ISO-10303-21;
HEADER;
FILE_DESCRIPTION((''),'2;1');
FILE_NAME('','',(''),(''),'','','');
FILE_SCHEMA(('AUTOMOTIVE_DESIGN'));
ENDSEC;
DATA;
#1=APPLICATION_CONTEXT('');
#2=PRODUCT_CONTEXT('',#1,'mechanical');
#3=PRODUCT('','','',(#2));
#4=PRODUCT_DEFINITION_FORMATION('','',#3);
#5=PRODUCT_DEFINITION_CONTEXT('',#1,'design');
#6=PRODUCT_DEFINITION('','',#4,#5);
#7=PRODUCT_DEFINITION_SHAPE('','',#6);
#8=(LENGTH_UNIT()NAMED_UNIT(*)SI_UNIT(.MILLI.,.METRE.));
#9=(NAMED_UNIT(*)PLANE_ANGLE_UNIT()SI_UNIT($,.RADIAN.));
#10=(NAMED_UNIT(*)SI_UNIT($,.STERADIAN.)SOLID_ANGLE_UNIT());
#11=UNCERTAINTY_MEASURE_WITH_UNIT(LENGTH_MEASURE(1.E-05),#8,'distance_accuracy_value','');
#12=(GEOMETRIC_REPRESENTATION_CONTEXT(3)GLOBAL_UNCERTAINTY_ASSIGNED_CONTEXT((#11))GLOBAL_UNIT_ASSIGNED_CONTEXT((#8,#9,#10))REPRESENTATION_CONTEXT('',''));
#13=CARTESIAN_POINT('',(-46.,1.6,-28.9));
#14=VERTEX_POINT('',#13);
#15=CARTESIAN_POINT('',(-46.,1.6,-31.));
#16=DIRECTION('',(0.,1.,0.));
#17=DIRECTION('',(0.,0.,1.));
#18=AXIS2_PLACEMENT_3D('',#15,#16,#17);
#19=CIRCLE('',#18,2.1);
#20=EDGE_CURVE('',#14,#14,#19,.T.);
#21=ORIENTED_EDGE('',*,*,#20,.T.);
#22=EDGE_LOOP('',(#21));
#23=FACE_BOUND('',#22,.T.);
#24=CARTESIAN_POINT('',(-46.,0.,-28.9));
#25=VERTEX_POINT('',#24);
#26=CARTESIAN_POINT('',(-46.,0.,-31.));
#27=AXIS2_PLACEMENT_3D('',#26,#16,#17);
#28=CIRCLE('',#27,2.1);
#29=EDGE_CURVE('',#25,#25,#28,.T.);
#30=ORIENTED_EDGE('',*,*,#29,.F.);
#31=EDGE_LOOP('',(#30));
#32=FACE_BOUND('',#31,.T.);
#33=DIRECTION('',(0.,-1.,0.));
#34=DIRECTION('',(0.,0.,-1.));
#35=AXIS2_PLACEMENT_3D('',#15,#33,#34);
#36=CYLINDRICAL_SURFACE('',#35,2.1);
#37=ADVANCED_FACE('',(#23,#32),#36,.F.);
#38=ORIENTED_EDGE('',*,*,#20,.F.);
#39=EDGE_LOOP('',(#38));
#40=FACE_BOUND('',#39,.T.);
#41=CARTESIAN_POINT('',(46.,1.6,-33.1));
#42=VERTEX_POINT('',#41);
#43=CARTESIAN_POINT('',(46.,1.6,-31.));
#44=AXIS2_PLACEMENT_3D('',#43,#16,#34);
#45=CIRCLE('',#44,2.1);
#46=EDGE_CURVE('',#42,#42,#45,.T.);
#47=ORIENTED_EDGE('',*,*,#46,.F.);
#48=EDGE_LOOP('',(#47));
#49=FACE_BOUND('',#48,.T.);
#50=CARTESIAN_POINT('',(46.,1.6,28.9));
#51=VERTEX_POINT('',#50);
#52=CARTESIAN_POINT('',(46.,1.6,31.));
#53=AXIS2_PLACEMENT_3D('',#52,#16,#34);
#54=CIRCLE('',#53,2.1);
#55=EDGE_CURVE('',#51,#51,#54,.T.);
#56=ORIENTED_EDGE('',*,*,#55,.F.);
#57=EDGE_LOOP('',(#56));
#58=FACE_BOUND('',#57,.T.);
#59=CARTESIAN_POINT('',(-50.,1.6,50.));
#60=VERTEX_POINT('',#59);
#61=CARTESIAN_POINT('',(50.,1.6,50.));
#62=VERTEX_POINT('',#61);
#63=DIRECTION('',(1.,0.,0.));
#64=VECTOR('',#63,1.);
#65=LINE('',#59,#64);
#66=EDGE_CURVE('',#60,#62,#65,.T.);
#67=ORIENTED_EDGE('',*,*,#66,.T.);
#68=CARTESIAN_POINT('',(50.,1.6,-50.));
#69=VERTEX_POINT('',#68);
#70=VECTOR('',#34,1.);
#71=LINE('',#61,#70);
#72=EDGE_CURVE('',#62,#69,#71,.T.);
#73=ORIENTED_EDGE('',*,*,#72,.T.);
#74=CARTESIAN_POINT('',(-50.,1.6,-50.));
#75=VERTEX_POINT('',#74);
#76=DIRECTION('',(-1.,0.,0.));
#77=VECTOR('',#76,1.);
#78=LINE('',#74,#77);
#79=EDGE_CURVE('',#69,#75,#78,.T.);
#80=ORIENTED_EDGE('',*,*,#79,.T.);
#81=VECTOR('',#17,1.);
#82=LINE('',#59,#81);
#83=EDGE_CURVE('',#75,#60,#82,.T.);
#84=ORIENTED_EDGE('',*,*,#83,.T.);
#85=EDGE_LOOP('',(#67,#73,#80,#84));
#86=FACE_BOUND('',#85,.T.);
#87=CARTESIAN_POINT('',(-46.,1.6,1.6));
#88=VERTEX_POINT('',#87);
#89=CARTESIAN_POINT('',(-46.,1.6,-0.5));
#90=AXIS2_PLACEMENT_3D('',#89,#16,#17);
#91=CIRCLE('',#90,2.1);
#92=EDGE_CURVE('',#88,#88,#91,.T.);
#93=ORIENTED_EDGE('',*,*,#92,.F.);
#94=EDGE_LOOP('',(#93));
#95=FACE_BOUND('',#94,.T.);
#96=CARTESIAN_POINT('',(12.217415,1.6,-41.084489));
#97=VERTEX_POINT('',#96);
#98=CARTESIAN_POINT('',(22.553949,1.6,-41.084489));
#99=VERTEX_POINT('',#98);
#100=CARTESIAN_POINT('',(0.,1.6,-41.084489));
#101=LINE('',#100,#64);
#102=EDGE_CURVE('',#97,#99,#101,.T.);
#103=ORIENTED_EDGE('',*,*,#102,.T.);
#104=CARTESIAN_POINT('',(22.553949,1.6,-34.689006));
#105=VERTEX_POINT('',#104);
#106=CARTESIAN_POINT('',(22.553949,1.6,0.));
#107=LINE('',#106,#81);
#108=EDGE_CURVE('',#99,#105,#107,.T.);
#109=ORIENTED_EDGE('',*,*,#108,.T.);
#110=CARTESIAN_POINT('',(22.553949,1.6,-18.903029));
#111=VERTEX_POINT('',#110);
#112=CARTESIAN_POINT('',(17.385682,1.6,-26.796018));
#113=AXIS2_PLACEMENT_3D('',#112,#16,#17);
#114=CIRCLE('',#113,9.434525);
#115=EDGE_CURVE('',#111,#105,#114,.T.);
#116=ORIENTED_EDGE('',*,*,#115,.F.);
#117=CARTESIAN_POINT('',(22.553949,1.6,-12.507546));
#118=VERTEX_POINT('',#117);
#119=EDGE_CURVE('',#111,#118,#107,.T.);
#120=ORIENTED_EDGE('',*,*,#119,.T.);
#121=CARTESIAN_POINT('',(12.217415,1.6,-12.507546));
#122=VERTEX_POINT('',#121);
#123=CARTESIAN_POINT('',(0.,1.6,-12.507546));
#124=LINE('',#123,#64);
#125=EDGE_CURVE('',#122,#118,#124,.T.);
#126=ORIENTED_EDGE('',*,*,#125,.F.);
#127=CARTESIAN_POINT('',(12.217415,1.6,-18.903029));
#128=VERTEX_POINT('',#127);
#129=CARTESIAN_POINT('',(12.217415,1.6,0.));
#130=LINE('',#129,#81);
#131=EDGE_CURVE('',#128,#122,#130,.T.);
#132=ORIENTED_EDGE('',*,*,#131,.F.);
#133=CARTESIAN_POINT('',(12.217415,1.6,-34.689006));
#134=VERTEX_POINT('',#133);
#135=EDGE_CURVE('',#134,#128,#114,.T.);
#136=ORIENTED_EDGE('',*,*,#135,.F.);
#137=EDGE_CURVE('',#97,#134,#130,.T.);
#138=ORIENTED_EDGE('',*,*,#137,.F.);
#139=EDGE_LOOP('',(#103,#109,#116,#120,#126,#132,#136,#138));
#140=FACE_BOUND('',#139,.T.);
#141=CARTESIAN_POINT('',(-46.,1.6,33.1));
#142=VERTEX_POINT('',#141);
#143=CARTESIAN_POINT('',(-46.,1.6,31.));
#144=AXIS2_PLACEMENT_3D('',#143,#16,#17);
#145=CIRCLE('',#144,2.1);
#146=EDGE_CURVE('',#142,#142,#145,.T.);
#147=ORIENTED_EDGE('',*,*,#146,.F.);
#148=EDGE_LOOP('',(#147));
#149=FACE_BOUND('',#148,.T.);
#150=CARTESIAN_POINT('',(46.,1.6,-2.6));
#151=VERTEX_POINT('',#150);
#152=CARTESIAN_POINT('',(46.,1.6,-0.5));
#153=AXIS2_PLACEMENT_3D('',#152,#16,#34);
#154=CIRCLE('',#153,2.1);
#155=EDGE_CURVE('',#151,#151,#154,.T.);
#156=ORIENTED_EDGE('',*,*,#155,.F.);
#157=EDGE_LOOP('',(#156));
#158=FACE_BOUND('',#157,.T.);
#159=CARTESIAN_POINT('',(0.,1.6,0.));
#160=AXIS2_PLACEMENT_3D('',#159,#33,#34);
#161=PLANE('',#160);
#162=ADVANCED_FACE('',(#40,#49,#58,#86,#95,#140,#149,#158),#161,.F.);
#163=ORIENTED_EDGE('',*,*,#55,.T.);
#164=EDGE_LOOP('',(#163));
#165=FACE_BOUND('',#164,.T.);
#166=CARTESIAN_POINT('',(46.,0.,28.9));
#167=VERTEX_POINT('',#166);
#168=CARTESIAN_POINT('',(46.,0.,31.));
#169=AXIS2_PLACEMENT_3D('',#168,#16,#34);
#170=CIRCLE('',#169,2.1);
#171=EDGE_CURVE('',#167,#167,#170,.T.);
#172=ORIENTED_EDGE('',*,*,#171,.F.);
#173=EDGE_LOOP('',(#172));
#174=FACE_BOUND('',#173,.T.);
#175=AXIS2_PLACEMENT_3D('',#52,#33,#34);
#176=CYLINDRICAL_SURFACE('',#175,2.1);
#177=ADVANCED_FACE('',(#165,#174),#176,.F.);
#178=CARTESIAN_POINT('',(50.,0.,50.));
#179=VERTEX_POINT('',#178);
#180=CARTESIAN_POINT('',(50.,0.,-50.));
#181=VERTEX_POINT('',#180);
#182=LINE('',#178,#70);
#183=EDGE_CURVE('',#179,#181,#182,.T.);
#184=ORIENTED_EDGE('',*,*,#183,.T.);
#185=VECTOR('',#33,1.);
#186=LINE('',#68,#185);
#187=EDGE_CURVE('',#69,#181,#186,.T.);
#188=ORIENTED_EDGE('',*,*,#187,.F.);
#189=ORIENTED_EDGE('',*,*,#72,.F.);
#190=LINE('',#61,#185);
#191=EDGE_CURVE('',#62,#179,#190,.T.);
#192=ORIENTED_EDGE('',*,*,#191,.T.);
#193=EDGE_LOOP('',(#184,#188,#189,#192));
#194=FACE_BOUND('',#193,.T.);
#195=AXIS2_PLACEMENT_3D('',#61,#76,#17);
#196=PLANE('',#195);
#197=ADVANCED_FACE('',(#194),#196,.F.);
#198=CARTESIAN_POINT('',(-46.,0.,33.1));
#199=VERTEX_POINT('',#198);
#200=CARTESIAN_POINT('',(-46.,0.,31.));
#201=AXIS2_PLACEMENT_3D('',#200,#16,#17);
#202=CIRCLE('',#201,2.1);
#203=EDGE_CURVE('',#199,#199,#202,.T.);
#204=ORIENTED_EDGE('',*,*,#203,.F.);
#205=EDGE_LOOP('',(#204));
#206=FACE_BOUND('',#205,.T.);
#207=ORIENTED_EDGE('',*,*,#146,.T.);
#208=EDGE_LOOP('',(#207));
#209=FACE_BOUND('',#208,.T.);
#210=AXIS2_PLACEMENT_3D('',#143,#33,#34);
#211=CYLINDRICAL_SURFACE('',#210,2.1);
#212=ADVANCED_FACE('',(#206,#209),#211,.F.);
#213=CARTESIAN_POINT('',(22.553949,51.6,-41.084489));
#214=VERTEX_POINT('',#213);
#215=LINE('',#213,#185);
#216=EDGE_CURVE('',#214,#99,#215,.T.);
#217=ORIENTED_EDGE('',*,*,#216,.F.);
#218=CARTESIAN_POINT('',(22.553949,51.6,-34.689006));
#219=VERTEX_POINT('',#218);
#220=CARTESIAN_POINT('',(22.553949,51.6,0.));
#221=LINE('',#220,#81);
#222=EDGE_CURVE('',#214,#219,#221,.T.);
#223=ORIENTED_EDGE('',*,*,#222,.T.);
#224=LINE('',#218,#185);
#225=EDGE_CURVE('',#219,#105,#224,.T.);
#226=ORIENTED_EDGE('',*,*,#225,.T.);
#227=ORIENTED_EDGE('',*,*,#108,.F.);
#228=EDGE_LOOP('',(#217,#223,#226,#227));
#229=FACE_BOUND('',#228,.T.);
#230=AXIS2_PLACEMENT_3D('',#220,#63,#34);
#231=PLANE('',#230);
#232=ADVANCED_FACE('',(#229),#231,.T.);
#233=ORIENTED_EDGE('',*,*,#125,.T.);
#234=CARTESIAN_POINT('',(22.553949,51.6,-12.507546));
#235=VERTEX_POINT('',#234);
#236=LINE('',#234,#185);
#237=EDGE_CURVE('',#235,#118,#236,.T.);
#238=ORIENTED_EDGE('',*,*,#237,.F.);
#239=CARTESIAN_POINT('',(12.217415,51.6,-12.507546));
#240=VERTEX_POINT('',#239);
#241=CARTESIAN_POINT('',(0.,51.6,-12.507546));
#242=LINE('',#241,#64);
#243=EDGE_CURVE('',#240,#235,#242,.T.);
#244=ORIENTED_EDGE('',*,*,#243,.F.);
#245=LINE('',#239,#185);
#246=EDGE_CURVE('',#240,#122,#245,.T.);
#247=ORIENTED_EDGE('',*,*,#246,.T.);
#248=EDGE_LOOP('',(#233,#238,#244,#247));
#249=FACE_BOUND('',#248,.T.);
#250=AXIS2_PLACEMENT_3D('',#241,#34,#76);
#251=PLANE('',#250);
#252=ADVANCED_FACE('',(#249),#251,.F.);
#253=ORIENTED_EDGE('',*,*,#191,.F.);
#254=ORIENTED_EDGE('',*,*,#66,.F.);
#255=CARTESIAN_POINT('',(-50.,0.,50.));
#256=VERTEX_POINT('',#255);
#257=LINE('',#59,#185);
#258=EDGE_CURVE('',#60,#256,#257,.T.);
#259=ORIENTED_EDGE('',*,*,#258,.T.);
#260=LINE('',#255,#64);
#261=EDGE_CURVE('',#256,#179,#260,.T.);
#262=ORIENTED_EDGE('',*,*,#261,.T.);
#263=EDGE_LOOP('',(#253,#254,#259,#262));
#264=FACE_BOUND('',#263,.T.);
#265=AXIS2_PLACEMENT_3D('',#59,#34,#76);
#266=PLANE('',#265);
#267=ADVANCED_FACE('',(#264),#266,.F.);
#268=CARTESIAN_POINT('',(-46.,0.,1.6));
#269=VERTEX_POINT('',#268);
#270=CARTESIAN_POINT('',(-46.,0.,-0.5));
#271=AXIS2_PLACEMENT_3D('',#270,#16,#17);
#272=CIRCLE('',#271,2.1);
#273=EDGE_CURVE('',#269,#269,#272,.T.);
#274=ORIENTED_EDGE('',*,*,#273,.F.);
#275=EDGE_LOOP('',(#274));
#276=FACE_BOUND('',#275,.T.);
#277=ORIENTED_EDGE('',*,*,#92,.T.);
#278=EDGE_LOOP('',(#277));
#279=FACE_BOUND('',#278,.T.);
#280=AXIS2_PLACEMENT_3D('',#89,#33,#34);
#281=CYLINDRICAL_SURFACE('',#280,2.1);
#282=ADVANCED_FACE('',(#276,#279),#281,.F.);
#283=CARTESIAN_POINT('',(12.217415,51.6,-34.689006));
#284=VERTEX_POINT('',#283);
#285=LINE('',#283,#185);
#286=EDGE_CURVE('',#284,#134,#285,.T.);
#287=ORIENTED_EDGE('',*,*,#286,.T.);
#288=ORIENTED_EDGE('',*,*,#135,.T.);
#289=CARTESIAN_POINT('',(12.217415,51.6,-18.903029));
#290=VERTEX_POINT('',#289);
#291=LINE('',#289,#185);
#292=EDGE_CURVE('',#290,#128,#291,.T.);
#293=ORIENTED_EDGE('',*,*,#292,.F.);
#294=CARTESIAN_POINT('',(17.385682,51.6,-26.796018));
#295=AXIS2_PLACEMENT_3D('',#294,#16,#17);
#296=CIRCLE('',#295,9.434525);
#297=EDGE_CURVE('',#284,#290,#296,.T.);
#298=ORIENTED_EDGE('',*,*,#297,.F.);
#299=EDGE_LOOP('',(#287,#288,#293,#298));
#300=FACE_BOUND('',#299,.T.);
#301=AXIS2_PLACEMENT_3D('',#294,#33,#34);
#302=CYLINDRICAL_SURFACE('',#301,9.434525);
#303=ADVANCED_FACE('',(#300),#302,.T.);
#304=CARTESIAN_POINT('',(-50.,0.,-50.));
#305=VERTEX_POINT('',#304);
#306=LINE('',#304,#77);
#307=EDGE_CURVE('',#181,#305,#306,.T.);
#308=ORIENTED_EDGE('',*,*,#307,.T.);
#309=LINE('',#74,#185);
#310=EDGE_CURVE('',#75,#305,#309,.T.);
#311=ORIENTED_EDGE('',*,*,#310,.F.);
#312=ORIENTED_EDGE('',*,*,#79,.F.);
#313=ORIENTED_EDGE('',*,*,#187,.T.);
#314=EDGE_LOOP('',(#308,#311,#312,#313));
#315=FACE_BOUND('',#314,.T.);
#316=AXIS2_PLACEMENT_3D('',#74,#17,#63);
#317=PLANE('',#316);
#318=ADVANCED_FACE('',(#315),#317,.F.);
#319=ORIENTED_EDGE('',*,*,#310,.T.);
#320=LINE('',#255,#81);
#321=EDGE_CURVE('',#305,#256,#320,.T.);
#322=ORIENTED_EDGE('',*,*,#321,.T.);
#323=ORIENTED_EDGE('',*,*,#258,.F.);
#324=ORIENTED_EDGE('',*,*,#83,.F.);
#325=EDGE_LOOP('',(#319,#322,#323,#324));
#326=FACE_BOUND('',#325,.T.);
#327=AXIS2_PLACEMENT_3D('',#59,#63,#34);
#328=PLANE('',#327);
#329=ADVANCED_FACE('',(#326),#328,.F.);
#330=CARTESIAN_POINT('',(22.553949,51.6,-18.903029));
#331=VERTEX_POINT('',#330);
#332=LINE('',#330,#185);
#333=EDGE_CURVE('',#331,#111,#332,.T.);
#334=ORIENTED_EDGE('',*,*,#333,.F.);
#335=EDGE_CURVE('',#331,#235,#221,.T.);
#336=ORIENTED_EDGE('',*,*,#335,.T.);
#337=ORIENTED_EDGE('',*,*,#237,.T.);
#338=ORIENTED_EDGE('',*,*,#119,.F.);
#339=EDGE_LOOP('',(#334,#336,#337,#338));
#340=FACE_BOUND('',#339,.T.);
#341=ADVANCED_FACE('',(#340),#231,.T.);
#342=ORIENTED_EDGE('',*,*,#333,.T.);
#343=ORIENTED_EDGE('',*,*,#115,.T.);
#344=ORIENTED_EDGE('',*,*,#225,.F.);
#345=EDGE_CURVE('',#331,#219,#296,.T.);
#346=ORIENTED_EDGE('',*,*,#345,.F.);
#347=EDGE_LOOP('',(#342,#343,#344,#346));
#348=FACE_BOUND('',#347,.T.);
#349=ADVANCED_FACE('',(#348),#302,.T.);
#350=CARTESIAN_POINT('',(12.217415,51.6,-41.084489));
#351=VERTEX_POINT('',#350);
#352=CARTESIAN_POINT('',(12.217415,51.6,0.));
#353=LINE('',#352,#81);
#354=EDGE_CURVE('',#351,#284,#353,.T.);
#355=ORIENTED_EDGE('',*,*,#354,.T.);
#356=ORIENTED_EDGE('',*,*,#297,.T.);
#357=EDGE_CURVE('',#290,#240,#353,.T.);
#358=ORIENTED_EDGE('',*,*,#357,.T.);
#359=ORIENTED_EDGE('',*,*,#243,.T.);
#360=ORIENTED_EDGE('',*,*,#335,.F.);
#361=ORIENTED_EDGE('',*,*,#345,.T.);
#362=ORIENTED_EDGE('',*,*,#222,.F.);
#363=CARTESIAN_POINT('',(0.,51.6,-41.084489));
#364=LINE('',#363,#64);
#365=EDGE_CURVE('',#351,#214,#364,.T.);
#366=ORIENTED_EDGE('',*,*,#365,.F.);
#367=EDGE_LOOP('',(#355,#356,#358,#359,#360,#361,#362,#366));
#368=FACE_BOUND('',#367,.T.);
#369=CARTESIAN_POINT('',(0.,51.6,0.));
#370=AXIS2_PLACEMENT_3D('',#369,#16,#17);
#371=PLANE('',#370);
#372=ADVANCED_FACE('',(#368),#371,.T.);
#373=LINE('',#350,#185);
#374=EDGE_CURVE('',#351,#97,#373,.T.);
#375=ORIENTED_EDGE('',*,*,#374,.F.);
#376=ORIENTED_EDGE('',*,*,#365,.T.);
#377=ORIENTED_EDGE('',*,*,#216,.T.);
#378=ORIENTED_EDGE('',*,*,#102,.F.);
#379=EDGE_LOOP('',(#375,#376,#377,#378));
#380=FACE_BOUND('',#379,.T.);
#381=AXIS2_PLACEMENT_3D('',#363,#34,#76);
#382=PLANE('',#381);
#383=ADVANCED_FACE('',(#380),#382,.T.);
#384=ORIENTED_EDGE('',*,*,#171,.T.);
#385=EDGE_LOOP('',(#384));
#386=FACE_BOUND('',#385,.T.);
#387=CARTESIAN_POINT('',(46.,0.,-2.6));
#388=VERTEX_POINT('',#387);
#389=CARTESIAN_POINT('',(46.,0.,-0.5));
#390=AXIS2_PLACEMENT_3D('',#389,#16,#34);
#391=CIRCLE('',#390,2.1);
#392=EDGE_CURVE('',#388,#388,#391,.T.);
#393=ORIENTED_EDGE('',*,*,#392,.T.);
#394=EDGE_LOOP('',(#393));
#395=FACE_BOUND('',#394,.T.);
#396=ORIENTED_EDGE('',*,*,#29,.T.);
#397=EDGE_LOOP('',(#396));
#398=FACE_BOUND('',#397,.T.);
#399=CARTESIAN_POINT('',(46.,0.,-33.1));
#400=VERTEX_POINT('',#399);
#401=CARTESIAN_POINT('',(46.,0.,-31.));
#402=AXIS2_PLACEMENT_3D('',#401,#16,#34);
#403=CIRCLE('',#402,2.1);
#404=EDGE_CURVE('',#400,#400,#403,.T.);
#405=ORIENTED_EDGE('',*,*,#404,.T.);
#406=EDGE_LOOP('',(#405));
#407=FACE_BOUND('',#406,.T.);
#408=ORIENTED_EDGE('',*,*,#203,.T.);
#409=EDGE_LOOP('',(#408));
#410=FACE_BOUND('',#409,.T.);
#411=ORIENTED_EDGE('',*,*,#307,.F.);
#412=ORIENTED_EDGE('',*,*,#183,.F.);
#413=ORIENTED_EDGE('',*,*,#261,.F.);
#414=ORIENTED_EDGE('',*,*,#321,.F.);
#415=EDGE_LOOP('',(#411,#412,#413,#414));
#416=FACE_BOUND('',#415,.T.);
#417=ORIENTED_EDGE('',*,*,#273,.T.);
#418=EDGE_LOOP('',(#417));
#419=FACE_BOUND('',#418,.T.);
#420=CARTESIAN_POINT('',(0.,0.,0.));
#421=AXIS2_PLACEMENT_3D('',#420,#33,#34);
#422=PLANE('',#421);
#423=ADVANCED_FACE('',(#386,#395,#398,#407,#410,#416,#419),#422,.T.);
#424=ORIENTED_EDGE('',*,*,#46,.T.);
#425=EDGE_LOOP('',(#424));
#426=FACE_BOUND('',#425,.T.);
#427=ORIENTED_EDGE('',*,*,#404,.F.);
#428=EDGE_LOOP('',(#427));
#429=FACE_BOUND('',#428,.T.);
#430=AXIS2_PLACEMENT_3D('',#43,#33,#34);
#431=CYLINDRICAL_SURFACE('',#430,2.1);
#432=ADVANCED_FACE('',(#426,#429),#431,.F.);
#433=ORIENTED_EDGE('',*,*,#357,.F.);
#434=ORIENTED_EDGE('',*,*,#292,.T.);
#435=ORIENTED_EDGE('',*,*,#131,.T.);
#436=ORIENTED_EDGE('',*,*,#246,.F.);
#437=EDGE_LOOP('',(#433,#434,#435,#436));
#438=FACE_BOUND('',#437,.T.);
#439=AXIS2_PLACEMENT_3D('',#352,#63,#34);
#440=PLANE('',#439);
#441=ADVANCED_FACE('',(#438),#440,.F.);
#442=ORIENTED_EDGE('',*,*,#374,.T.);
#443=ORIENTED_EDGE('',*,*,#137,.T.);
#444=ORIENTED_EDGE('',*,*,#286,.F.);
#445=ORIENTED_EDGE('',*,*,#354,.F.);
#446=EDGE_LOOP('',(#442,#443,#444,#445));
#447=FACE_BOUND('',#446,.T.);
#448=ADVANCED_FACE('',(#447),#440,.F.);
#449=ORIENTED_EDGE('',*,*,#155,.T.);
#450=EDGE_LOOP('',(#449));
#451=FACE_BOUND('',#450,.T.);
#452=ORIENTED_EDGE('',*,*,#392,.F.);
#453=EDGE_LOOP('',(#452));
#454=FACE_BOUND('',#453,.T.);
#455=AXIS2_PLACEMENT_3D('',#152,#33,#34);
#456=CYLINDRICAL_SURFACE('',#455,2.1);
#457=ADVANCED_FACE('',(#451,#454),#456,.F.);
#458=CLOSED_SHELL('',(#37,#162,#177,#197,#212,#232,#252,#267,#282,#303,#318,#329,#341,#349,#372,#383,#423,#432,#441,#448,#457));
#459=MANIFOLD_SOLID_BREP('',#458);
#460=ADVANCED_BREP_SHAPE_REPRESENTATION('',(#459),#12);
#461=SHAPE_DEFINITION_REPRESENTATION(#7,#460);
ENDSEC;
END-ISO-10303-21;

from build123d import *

# Parameters (mm, degrees)
CROQUIS1_W              = 100
CROQUIS1_H              = 100
CROQUIS1_R              = 2.1
SALIENTE_EXTRUIR1_DEPTH = 1.6
SALIENTE_EXTRUIR2_DEPTH = 50


with BuildPart() as part:
    # Croquis1 → Saliente-Extruir1 (new body)
    with BuildSketch(Plane(origin=(0, 0, 0), x_dir=(1, 0, 0), z_dir=(0, 1, 0))):
        Rectangle(CROQUIS1_W, CROQUIS1_H)
        with Locations(Location((-46, 31, 0), (0, 0, 270))):
            Circle(CROQUIS1_R, mode=Mode.SUBTRACT)
        with Locations(Location((-46, 0.5, 0), (0, 0, 270))):
            Circle(CROQUIS1_R, mode=Mode.SUBTRACT)
        with Locations(Location((-46, -31, 0), (0, 0, 270))):
            Circle(CROQUIS1_R, mode=Mode.SUBTRACT)
        with Locations(Location((46, -31, 0), (0, 0, 90))):
            Circle(CROQUIS1_R, mode=Mode.SUBTRACT)
        with Locations(Location((46, 0.5, 0), (0, 0, 90))):
            Circle(CROQUIS1_R, mode=Mode.SUBTRACT)
        with Locations(Location((46, 31, 0), (0, 0, 90))):
            Circle(CROQUIS1_R, mode=Mode.SUBTRACT)
    extrude(amount=SALIENTE_EXTRUIR1_DEPTH)

    # Croquis2 → Saliente-Extruir2 (add)
    with BuildSketch(Plane(origin=(0, 1.6, 0), x_dir=(1, 0, 0), z_dir=(0, 1, 0))):
        with BuildLine():
            Line((12.217414709, 18.903028856), (12.217414709, 34.689006191))
            ThreePointArc((12.217414709, 34.689006191), (7.951157107, 26.796017524), (12.217414709, 18.903028856))
        make_face()
        with BuildLine():
            ThreePointArc((22.553948572, 34.689006191), (17.38568164, 36.230542057), (12.217414709, 34.689006191))
            Line((12.217414709, 34.689006191), (12.217414709, 18.903028856))
            ThreePointArc((12.217414709, 18.903028856), (17.38568164, 17.36149299), (22.553948572, 18.903028856))
            Line((22.553948572, 18.903028856), (22.553948572, 34.689006191))
        make_face()
        with BuildLine():
            Line((22.553948572, 41.084489345), (12.217414709, 41.084489345))
            Line((12.217414709, 41.084489345), (12.217414709, 34.689006191))
            ThreePointArc((12.217414709, 34.689006191), (17.38568164, 36.230542057), (22.553948572, 34.689006191))
            Line((22.553948572, 34.689006191), (22.553948572, 41.084489345))
        make_face()
        with BuildLine():
            ThreePointArc((26.820206174, 26.796017524), (25.685392308, 31.282113377), (22.553948572, 34.689006191))
            Line((22.553948572, 34.689006191), (22.553948572, 18.903028856))
            ThreePointArc((22.553948572, 18.903028856), (25.685392308, 22.30992167), (26.820206174, 26.796017524))
        make_face()
        with BuildLine():
            ThreePointArc((22.553948572, 18.903028856), (17.38568164, 17.36149299), (12.217414709, 18.903028856))
            Line((12.217414709, 18.903028856), (12.217414709, 12.507545702))
            Line((12.217414709, 12.507545702), (22.553948572, 12.507545702))
            Line((22.553948572, 12.507545702), (22.553948572, 18.903028856))
        make_face()
    extrude(amount=SALIENTE_EXTRUIR2_DEPTH)


solid = part.part
